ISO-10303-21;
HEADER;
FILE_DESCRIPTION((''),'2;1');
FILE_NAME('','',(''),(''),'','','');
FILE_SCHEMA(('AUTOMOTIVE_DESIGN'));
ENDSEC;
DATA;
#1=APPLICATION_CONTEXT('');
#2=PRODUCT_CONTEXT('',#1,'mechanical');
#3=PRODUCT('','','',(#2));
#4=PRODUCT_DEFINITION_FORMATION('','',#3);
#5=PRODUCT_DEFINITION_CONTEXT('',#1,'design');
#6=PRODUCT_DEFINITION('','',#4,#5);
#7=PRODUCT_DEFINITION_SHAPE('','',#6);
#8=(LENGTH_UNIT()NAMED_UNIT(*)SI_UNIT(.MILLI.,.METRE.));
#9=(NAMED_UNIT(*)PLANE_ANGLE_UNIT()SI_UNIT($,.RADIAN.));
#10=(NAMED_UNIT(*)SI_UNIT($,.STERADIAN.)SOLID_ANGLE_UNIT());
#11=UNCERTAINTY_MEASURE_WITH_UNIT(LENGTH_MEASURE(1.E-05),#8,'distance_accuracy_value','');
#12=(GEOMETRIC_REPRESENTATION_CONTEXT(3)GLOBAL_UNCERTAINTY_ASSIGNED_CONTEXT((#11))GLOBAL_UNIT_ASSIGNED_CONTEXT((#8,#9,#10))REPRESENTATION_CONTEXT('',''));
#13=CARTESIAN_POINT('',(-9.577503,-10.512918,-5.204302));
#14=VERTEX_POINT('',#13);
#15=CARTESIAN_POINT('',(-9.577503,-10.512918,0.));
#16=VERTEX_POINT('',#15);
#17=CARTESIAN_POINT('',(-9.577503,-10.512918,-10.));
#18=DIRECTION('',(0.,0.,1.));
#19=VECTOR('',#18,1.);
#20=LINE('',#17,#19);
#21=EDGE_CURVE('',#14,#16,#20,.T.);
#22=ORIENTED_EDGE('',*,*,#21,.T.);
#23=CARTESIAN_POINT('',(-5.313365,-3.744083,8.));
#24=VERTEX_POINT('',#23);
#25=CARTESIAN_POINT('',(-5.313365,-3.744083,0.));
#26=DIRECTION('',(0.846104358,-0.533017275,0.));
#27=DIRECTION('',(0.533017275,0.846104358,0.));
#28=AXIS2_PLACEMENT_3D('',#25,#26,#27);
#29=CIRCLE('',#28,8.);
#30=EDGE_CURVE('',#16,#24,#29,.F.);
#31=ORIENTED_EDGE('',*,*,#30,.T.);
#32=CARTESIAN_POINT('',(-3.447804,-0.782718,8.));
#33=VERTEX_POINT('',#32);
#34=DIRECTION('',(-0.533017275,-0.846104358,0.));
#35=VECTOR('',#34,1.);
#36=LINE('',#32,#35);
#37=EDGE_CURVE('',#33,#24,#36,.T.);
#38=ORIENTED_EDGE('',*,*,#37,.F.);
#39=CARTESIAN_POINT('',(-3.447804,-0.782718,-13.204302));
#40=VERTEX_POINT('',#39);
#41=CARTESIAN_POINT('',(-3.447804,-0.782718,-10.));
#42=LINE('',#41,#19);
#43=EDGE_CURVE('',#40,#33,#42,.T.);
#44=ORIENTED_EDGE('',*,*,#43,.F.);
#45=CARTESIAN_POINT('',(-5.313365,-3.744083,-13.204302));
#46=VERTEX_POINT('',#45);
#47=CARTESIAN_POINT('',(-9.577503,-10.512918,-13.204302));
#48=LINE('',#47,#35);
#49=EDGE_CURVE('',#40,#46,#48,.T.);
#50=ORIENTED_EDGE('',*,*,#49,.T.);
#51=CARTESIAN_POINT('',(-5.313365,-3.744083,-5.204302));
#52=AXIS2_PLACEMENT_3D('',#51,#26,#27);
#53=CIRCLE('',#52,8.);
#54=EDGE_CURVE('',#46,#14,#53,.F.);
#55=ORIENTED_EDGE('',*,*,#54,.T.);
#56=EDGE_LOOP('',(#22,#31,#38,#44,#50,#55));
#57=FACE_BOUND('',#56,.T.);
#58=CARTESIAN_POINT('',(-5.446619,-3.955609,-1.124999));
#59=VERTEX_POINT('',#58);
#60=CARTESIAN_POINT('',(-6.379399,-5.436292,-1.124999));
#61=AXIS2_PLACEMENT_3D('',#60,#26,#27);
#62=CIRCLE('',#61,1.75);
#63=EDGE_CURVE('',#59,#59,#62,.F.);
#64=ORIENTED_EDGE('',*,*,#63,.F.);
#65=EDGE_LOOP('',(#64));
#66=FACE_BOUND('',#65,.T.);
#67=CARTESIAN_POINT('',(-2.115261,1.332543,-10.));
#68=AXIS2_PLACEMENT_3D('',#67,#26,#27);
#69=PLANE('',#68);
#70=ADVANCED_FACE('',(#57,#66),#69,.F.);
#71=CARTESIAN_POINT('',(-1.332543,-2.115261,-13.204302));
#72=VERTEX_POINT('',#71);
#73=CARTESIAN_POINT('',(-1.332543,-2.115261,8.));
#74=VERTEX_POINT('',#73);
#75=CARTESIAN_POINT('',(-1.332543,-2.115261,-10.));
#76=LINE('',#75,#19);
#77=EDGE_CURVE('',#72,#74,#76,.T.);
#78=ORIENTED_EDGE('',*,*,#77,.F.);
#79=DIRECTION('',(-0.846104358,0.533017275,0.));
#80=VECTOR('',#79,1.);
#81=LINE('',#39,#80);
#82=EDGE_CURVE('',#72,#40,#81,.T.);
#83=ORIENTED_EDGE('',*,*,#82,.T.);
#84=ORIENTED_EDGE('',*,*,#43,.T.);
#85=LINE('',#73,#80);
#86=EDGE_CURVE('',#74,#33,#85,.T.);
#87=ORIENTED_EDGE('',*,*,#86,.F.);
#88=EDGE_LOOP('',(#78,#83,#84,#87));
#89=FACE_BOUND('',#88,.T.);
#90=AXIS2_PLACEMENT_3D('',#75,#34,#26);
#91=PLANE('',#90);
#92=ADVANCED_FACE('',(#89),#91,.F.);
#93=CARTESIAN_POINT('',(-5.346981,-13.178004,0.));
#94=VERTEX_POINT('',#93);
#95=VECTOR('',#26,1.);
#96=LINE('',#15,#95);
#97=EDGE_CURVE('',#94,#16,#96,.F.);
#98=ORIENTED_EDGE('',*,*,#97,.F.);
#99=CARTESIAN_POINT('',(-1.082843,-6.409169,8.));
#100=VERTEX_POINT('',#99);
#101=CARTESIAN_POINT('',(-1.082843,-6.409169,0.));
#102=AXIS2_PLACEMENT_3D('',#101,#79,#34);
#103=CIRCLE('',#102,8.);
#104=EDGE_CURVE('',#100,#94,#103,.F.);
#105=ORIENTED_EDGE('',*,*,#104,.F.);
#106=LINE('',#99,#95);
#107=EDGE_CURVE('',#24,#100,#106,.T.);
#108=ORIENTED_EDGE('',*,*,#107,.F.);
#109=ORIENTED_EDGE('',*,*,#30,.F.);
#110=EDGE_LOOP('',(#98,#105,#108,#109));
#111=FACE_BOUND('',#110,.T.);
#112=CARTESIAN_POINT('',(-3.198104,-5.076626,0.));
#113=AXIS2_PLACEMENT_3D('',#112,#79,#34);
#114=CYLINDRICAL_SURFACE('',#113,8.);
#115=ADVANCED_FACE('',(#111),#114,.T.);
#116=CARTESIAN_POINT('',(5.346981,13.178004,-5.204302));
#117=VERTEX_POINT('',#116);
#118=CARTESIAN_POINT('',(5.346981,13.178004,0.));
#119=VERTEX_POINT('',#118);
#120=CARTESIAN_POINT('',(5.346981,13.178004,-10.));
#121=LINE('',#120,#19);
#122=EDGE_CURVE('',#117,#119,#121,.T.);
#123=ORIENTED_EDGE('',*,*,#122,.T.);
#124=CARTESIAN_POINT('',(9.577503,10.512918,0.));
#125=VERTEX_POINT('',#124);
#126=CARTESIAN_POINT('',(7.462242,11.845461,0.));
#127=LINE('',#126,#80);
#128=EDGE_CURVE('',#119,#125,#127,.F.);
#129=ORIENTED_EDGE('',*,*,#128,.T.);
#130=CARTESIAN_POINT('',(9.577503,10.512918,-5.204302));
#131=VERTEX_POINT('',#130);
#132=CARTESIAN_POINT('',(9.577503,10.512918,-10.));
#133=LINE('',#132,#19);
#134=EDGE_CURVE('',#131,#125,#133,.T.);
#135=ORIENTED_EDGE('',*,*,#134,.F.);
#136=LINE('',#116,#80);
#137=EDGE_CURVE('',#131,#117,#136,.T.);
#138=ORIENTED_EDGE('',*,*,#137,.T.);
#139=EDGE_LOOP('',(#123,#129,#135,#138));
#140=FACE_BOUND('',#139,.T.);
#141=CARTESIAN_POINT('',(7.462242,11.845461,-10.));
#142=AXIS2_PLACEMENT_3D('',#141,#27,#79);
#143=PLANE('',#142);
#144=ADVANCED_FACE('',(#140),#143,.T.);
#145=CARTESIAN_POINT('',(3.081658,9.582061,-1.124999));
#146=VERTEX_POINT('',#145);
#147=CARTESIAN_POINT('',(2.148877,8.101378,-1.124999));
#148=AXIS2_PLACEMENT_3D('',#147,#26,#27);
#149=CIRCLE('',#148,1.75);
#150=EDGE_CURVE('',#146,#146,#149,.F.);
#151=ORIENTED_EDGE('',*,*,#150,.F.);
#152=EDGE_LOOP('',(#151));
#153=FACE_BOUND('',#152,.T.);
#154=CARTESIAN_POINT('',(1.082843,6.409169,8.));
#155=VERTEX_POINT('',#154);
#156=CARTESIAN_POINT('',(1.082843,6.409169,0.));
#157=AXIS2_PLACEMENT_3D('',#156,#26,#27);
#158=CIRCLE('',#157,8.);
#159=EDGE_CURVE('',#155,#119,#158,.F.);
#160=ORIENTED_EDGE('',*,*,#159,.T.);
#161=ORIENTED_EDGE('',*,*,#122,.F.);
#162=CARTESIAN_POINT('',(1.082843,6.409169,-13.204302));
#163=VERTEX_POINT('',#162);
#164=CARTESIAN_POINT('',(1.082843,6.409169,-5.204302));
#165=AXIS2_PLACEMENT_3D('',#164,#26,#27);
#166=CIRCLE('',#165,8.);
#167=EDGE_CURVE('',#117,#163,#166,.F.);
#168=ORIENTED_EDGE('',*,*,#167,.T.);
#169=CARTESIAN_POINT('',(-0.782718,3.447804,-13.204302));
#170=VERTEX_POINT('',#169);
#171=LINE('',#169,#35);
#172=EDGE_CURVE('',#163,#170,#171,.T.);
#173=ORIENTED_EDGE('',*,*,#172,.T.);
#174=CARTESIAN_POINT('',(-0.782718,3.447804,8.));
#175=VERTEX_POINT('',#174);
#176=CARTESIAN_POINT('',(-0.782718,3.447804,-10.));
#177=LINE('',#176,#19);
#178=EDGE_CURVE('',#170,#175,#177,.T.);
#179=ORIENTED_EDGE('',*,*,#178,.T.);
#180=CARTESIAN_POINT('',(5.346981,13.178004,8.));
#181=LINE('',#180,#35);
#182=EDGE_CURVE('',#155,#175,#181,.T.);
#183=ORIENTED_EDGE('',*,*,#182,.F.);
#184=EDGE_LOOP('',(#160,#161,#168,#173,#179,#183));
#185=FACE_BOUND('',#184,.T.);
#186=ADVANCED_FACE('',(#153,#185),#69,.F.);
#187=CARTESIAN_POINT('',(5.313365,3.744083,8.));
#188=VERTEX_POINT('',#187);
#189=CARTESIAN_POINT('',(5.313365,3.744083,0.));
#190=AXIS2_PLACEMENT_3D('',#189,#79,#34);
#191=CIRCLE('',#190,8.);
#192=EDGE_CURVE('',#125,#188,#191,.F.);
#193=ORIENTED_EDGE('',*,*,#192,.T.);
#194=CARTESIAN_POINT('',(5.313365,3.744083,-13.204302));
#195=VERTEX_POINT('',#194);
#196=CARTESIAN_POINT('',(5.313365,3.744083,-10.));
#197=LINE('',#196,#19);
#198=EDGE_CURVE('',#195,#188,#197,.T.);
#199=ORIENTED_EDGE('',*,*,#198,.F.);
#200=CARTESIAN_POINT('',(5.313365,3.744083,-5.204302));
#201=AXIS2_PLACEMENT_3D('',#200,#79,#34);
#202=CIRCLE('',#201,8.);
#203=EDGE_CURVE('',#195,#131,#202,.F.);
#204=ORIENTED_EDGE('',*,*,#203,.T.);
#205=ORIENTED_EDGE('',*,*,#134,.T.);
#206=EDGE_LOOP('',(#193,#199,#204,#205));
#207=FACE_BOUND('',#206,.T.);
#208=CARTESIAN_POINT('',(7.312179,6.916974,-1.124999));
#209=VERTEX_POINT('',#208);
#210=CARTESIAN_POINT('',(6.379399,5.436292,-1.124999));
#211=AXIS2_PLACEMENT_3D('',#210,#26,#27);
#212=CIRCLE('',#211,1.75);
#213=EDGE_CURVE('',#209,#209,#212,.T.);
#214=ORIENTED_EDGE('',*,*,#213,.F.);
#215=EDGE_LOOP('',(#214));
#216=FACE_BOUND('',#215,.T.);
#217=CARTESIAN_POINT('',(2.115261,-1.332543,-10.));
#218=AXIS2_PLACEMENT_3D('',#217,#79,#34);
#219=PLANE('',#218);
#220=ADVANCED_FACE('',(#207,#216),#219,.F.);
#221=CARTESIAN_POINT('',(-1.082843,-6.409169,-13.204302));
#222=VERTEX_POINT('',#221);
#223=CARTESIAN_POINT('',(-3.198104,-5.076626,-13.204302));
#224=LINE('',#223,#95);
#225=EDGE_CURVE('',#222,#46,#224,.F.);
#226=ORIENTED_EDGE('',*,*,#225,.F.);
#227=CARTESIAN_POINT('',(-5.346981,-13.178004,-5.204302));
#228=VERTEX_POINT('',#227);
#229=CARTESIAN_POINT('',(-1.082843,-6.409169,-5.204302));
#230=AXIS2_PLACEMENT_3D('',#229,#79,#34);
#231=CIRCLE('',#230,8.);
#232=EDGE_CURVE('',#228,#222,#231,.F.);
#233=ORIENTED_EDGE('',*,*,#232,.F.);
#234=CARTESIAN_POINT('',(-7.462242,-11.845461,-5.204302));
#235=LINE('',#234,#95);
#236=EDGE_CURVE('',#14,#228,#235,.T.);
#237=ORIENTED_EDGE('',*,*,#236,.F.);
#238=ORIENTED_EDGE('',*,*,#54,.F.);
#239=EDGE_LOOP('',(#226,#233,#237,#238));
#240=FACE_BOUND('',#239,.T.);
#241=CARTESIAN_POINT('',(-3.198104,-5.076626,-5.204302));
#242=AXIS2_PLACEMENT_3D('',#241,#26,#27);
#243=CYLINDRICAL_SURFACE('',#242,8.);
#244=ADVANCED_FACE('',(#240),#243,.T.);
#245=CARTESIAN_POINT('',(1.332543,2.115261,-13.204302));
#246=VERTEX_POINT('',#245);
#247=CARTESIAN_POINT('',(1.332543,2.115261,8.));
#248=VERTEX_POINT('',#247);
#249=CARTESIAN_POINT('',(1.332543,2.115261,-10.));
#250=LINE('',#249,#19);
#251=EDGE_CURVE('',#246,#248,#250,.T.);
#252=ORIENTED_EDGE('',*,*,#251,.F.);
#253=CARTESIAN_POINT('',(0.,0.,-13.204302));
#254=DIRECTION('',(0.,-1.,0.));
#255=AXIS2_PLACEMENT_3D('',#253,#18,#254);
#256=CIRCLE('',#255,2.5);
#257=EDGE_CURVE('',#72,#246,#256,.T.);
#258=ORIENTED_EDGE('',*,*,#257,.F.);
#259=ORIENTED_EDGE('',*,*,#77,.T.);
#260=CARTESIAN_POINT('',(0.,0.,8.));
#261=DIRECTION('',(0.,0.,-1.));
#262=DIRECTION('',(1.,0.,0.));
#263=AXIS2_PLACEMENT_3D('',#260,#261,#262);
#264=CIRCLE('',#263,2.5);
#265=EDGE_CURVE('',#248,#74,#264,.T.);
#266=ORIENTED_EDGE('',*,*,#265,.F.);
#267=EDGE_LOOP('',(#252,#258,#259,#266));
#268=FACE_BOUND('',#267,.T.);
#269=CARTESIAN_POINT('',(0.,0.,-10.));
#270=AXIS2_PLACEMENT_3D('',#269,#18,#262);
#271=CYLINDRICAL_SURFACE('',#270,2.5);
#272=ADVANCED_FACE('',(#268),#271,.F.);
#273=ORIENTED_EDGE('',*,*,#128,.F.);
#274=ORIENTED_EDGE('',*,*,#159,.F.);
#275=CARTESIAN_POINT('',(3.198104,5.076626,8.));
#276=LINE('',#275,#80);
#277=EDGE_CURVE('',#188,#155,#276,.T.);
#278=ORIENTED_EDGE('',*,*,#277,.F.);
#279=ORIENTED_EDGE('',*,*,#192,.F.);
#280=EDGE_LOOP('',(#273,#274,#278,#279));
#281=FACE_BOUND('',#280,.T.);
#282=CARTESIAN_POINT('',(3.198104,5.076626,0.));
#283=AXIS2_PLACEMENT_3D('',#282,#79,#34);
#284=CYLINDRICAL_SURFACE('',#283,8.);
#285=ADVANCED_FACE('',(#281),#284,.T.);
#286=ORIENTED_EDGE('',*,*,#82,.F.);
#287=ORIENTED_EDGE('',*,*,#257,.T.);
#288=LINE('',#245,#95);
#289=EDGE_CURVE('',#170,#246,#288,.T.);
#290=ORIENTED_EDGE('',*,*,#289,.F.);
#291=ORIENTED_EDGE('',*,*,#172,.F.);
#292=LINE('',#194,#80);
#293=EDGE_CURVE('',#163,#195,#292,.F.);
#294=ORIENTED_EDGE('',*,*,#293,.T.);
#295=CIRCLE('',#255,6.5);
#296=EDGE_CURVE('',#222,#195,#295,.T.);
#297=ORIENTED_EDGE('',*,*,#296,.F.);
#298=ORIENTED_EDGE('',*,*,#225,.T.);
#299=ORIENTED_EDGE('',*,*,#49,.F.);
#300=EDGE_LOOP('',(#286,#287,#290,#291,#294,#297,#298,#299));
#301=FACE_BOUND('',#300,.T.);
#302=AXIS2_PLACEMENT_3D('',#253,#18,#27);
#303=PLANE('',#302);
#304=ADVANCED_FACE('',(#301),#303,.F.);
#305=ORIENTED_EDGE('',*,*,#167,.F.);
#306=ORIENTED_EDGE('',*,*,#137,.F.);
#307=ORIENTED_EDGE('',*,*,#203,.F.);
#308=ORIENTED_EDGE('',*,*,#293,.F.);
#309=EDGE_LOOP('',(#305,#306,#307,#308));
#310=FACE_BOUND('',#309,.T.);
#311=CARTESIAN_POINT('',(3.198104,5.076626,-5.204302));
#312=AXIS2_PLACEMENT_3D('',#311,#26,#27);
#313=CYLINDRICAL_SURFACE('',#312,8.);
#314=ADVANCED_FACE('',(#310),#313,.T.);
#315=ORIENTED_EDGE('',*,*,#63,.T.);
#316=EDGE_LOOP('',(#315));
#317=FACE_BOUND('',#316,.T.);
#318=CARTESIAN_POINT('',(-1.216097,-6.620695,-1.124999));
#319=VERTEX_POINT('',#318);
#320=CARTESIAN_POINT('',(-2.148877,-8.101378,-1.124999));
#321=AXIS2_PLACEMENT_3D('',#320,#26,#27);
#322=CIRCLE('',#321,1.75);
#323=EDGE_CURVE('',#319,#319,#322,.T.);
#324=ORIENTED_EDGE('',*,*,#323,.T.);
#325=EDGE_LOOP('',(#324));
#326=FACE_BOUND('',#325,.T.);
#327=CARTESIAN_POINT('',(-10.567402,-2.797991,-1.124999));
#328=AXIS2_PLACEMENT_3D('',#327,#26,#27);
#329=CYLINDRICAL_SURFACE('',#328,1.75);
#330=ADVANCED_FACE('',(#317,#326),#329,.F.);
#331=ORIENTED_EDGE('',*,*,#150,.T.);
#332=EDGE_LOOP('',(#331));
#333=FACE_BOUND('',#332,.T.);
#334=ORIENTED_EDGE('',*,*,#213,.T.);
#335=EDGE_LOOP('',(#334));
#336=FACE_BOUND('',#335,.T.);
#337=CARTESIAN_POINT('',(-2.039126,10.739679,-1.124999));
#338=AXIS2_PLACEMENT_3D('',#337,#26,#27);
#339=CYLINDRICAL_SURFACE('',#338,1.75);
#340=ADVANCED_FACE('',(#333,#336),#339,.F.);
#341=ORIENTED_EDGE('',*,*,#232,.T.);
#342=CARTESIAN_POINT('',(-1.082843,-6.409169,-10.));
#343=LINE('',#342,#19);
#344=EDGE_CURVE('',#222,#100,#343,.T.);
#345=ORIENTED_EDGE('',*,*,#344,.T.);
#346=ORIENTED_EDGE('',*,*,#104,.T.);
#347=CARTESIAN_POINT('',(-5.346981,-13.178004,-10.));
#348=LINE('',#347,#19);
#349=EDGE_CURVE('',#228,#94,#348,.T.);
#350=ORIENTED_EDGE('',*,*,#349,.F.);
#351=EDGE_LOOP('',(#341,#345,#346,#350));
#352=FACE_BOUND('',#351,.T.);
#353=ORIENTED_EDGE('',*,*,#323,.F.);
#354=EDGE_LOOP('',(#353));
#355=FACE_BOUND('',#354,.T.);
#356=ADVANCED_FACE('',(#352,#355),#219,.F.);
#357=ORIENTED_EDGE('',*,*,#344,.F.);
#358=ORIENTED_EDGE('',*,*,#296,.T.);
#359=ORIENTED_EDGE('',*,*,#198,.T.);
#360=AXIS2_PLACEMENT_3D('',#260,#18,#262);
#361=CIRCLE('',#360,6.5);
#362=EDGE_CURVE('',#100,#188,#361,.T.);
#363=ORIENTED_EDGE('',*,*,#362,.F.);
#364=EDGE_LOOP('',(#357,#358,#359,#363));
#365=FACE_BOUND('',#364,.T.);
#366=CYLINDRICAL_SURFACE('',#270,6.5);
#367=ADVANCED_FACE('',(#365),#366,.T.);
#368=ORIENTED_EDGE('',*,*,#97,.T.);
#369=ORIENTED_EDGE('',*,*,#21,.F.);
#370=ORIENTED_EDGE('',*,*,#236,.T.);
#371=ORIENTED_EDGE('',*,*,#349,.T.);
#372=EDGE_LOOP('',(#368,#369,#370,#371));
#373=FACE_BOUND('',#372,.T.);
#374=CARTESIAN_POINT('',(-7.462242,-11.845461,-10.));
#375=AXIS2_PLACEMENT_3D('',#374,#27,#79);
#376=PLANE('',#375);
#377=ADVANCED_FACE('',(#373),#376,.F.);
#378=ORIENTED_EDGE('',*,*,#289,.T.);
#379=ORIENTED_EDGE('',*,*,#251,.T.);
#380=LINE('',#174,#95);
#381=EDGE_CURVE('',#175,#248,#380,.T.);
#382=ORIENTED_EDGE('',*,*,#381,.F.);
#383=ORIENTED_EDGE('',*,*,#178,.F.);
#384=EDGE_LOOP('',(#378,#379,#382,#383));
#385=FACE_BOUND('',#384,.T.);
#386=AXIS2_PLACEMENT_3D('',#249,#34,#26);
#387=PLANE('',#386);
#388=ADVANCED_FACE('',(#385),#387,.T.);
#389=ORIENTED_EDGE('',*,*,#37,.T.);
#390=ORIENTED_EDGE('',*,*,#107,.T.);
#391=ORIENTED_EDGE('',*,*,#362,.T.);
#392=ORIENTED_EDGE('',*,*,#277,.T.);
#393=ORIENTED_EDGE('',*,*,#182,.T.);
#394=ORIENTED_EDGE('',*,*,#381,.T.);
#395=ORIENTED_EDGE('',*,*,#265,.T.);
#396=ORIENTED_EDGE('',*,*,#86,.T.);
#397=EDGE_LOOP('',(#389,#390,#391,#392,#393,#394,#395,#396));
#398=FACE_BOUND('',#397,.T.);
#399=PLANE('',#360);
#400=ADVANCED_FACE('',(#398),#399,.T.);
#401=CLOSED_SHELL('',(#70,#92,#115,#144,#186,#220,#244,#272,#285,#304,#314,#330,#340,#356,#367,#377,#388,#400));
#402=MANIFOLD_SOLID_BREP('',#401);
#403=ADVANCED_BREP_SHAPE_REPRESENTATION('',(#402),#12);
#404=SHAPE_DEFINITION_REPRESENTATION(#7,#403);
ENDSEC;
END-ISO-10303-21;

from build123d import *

# Parameters (mm, degrees)
BOSS_EXTRUDE2_DEPTH = 10
BOSS_EXTRUDE3_START = 8
BOSS_EXTRUDE3_DEPTH = 8
CUT_EXTRUDE1_REACH  = 23.149
SKETCH3_R           = 1.75
BOSS_EXTRUDE4_DEPTH = 3.204301934
FILLET2_R           = 8


with BuildPart() as part:
    # Sketch1 → Boss-Extrude2 (new body)
    with BuildSketch(Plane.XY):
        with BuildLine():
            Line((2.115260933, -1.332543126), (-1.082842756, -6.409169335))
            ThreePointArc((-1.082842756, -6.409169335), (5.499678326, -3.464612288), (5.313364545, 3.744082959))
            Line((5.313364545, 3.744082959), (2.115260933, -1.332543126))
        make_face()
        with BuildLine():
            Line((-3.447804083, -0.782717707), (-5.313364545, -3.744082959))
            ThreePointArc((-5.313364545, -3.744082959), (-3.464612288, -5.499678326), (-1.082842756, -6.409169335))
            Line((-1.082842756, -6.409169335), (2.115260933, -1.332543126))
            ThreePointArc((2.115260933, -1.332543126), (0.553465034, -2.437965639), (-1.332543188, -2.115260895))
            Line((-1.332543188, -2.115260895), (-3.447804083, -0.782717707))
        make_face()
        with BuildLine():
            Line((-5.313364545, -3.744082959), (-9.577502747, -10.512917822))
            Line((-9.577502747, -10.512917822), (-5.346980957, -13.178004198))
            Line((-5.346980957, -13.178004198), (-1.082842756, -6.409169335))
            ThreePointArc((-1.082842756, -6.409169335), (-3.464612288, -5.499678326), (-5.313364545, -3.744082959))
        make_face()
        with BuildLine():
            ThreePointArc((2.5, 0), (2.401890124, -0.693486722), (2.115260933, -1.332543126))
            Line((2.115260933, -1.332543126), (5.313364545, 3.744082959))
            ThreePointArc((5.313364545, 3.744082959), (3.464612288, 5.499678326), (1.082842756, 6.409169335))
            Line((1.082842756, 6.409169335), (-0.782717707, 3.447804083))
            Line((-0.782717707, 3.447804083), (1.332543188, 2.115260895))
            ThreePointArc((1.332543188, 2.115260895), (2.188761975, 1.208023599), (2.5, 0))
        make_face()
        with BuildLine():
            ThreePointArc((1.082842756, 6.409169335), (3.464612288, 5.499678326), (5.313364545, 3.744082959))
            Line((5.313364545, 3.744082959), (9.577502747, 10.512917822))
            Line((9.577502747, 10.512917822), (5.346980957, 13.178004198))
            Line((5.346980957, 13.178004198), (1.082842756, 6.409169335))
        make_face()
    extrude(amount=-BOSS_EXTRUDE2_DEPTH)

    # Sketch2 → Boss-Extrude3 (add)
    with BuildSketch(Plane.XY.offset(BOSS_EXTRUDE3_START)):
        with BuildLine():
            Line((5.313364545, 3.744082959), (9.577502747, 10.512917822))
            Line((9.577502747, 10.512917822), (5.346980957, 13.178004198))
            Line((5.346980957, 13.178004198), (-0.782717707, 3.447804083))
            Line((-0.782717707, 3.447804083), (1.332543188, 2.115260895))
            ThreePointArc((1.332543188, 2.115260895), (2.115260895, -1.332543188), (-1.332543188, -2.115260895))
            Line((-1.332543188, -2.115260895), (-3.447804083, -0.782717707))
            Line((-3.447804083, -0.782717707), (-9.577502747, -10.512917822))
            Line((-9.577502747, -10.512917822), (-5.346980957, -13.178004198))
            Line((-5.346980957, -13.178004198), (-1.082842756, -6.409169335))
            ThreePointArc((-1.082842756, -6.409169335), (5.499678326, -3.464612288), (5.313364545, 3.744082959))
        make_face()
    extrude(amount=-BOSS_EXTRUDE3_DEPTH)

    # Sketch3 → Cut-Extrude1 (cut, up to next)
    with BuildSketch(Plane(origin=(2.115260895, -1.332543188, 0), x_dir=(0, 0, -1), z_dir=(0.8461043578704048, -0.5330172751353468, 0)), mode=Mode.PRIVATE) as cut_extrude1_sk1:
        with Locations(Location((1.124998711, 8, 0), (0, 0, 90))):
            Circle(SKETCH3_R)
    cut_extrude1_tool1 = extrude(cut_extrude1_sk1.sketch, amount=-CUT_EXTRUDE1_REACH, mode=Mode.PRIVATE) & part.part
    # Sketch3 → Cut-Extrude1 (cut, up to next)
    with BuildSketch(Plane(origin=(2.115260895, -1.332543188, 0), x_dir=(0, 0, -1), z_dir=(0.8461043578704048, -0.5330172751353468, 0)), mode=Mode.PRIVATE) as cut_extrude1_sk2:
        with Locations(Location((1.124998711, -8, 0), (0, 0, 90))):
            Circle(SKETCH3_R)
    cut_extrude1_tool2 = extrude(cut_extrude1_sk2.sketch, amount=-CUT_EXTRUDE1_REACH, mode=Mode.PRIVATE) & part.part
    add(cut_extrude1_tool1.solids().sort_by_distance((6.379399, 5.436292, -1.124999))[0], mode=Mode.SUBTRACT)
    add(cut_extrude1_tool2.solids().sort_by_distance((-2.148877, -8.101378, -1.124999))[0], mode=Mode.SUBTRACT)

    # Sketch4 → Boss-Extrude4 (add)
    with BuildSketch(Plane(origin=(0, 0, -10), x_dir=(-1, 0, 0), z_dir=(0, 0, -1))):
        with BuildLine():
            Line((1.082842756, -6.409169335), (5.346980957, -13.178004198))
            Line((5.346980957, -13.178004198), (9.577502747, -10.512917822))
            Line((9.577502747, -10.512917822), (3.447804083, -0.782717707))
            Line((3.447804083, -0.782717707), (1.332543188, -2.115260895))
            ThreePointArc((1.332543188, -2.115260895), (-2.115260895, -1.332543188), (-1.332543188, 2.115260895))
            Line((-1.332543188, 2.115260895), (0.782717707, 3.447804083))
            Line((0.782717707, 3.447804083), (-5.346980957, 13.178004198))
            Line((-5.346980957, 13.178004198), (-9.577502747, 10.512917822))
            Line((-9.577502747, 10.512917822), (-5.313364545, 3.744082959))
            ThreePointArc((-5.313364545, 3.744082959), (-5.499678326, -3.464612288), (1.082842756, -6.409169335))
        make_face()
    extrude(amount=BOSS_EXTRUDE4_DEPTH)

    # Fillet2
    fillet2_edges = [part.edges().sort_by_distance(p)[0] for p in [
        (-7.462241852, -11.84546101, -13.204301934),
        (-7.462241852, -11.84546101, 8),
        (7.462241852, 11.84546101, 8),
        (7.462241852, 11.84546101, -13.204301934),
    ]]
    fillet(fillet2_edges, radius=FILLET2_R)


solid = part.part
